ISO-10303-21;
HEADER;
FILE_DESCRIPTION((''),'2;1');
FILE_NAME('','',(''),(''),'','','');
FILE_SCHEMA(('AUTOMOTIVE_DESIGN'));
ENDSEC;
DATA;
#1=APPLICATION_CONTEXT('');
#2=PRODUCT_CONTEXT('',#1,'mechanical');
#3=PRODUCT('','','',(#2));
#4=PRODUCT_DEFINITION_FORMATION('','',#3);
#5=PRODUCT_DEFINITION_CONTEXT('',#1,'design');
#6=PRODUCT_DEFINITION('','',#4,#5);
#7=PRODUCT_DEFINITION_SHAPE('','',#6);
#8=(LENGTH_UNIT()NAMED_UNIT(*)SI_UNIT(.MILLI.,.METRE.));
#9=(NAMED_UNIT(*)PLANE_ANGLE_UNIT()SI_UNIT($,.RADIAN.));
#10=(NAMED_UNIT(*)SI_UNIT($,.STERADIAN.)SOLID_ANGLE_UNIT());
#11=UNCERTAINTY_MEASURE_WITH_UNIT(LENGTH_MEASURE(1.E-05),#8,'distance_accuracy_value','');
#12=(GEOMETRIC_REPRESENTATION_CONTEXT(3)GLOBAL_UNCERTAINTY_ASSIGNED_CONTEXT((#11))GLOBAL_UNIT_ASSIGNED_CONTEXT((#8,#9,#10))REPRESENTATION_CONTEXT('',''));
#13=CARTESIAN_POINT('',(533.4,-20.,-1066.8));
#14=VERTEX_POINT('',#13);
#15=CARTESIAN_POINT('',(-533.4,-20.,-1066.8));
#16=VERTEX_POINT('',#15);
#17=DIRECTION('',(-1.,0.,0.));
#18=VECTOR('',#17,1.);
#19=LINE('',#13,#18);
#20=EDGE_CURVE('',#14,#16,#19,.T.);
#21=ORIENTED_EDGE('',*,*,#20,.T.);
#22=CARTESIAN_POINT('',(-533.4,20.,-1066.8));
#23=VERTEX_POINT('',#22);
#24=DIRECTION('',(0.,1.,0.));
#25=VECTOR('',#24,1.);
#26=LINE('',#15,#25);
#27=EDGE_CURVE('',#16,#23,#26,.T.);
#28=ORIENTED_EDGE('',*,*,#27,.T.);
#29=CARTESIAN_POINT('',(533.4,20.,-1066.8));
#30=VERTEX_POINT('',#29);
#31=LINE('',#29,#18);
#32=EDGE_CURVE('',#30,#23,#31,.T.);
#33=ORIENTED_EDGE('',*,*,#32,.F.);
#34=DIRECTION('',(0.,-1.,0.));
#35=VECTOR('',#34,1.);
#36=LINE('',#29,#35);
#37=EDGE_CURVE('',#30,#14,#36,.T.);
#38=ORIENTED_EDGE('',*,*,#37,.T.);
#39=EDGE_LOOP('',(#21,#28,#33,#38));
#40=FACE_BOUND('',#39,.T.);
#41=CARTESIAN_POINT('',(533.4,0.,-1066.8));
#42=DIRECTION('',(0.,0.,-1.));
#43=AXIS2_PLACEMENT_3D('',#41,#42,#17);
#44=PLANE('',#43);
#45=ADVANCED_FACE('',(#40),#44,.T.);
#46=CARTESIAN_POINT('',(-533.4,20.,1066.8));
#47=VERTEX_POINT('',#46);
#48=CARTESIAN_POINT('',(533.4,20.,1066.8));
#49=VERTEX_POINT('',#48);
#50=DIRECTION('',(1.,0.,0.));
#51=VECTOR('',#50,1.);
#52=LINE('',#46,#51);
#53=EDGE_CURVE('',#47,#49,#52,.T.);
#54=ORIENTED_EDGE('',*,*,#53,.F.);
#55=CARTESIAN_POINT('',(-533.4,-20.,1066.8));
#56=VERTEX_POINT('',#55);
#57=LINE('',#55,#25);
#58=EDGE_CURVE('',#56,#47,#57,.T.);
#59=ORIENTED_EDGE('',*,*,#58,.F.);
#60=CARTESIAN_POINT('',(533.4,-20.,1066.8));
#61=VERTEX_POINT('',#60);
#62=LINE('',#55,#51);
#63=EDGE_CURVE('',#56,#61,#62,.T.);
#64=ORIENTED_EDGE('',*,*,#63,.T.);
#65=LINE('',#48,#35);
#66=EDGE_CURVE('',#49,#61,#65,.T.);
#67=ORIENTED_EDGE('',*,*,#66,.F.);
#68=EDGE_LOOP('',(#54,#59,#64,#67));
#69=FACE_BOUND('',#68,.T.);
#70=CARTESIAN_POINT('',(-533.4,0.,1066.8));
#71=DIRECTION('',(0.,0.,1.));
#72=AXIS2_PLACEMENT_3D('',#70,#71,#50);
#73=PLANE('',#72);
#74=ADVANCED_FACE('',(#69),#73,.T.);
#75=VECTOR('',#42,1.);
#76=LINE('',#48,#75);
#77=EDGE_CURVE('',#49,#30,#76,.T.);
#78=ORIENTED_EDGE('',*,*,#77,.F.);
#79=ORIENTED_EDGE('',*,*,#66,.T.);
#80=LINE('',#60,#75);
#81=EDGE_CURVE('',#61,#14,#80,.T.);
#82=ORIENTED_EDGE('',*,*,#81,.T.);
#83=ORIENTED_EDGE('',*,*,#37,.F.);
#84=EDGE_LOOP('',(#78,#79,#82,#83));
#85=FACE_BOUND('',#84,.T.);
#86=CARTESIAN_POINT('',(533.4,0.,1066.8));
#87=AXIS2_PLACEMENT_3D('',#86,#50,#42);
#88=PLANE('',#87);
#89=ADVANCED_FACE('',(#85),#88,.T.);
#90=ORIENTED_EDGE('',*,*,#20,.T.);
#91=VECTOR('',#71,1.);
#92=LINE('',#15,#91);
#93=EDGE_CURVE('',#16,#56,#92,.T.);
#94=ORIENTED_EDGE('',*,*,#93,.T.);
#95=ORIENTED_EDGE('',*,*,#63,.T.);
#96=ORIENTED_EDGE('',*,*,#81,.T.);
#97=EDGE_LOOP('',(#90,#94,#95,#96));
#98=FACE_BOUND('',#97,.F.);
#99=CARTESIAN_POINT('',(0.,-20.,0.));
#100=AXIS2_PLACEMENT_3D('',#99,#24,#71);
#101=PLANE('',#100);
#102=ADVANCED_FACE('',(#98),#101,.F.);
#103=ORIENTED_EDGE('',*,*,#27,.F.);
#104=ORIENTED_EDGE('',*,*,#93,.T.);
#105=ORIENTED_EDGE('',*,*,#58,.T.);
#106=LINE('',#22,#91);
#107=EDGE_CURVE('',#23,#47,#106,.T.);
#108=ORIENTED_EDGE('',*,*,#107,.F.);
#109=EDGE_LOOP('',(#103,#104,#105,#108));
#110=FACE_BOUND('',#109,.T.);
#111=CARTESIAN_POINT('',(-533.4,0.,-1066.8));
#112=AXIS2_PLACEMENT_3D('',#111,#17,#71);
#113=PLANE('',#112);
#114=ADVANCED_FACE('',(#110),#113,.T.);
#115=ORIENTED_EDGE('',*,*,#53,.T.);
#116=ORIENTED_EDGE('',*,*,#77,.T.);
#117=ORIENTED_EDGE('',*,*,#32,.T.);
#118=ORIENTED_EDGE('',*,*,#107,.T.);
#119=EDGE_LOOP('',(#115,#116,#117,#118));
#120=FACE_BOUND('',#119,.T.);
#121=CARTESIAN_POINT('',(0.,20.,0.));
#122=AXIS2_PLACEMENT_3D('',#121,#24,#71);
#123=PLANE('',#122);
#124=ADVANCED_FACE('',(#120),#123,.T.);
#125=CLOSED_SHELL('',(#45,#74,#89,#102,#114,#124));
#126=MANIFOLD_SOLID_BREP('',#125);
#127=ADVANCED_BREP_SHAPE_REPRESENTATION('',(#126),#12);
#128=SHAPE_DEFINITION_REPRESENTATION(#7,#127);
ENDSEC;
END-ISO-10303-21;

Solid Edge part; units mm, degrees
sketch "Sketch1" plane through (0, 0, 0) normal (0, -1, 0) x (1, 0, 0)
  line L0 (533.4, -1066.8) -> (-533.4, -1066.8)
  line L1 (-533.4, -1066.8) -> (-533.4, 1066.8)
  line L2 (-533.4, 1066.8) -> (533.4, 1066.8)
  line L3 (533.4, 1066.8) -> (533.4, -1066.8)
extrude "Protrusion1" add sketch "Sketch1" along normal mid plane 40
